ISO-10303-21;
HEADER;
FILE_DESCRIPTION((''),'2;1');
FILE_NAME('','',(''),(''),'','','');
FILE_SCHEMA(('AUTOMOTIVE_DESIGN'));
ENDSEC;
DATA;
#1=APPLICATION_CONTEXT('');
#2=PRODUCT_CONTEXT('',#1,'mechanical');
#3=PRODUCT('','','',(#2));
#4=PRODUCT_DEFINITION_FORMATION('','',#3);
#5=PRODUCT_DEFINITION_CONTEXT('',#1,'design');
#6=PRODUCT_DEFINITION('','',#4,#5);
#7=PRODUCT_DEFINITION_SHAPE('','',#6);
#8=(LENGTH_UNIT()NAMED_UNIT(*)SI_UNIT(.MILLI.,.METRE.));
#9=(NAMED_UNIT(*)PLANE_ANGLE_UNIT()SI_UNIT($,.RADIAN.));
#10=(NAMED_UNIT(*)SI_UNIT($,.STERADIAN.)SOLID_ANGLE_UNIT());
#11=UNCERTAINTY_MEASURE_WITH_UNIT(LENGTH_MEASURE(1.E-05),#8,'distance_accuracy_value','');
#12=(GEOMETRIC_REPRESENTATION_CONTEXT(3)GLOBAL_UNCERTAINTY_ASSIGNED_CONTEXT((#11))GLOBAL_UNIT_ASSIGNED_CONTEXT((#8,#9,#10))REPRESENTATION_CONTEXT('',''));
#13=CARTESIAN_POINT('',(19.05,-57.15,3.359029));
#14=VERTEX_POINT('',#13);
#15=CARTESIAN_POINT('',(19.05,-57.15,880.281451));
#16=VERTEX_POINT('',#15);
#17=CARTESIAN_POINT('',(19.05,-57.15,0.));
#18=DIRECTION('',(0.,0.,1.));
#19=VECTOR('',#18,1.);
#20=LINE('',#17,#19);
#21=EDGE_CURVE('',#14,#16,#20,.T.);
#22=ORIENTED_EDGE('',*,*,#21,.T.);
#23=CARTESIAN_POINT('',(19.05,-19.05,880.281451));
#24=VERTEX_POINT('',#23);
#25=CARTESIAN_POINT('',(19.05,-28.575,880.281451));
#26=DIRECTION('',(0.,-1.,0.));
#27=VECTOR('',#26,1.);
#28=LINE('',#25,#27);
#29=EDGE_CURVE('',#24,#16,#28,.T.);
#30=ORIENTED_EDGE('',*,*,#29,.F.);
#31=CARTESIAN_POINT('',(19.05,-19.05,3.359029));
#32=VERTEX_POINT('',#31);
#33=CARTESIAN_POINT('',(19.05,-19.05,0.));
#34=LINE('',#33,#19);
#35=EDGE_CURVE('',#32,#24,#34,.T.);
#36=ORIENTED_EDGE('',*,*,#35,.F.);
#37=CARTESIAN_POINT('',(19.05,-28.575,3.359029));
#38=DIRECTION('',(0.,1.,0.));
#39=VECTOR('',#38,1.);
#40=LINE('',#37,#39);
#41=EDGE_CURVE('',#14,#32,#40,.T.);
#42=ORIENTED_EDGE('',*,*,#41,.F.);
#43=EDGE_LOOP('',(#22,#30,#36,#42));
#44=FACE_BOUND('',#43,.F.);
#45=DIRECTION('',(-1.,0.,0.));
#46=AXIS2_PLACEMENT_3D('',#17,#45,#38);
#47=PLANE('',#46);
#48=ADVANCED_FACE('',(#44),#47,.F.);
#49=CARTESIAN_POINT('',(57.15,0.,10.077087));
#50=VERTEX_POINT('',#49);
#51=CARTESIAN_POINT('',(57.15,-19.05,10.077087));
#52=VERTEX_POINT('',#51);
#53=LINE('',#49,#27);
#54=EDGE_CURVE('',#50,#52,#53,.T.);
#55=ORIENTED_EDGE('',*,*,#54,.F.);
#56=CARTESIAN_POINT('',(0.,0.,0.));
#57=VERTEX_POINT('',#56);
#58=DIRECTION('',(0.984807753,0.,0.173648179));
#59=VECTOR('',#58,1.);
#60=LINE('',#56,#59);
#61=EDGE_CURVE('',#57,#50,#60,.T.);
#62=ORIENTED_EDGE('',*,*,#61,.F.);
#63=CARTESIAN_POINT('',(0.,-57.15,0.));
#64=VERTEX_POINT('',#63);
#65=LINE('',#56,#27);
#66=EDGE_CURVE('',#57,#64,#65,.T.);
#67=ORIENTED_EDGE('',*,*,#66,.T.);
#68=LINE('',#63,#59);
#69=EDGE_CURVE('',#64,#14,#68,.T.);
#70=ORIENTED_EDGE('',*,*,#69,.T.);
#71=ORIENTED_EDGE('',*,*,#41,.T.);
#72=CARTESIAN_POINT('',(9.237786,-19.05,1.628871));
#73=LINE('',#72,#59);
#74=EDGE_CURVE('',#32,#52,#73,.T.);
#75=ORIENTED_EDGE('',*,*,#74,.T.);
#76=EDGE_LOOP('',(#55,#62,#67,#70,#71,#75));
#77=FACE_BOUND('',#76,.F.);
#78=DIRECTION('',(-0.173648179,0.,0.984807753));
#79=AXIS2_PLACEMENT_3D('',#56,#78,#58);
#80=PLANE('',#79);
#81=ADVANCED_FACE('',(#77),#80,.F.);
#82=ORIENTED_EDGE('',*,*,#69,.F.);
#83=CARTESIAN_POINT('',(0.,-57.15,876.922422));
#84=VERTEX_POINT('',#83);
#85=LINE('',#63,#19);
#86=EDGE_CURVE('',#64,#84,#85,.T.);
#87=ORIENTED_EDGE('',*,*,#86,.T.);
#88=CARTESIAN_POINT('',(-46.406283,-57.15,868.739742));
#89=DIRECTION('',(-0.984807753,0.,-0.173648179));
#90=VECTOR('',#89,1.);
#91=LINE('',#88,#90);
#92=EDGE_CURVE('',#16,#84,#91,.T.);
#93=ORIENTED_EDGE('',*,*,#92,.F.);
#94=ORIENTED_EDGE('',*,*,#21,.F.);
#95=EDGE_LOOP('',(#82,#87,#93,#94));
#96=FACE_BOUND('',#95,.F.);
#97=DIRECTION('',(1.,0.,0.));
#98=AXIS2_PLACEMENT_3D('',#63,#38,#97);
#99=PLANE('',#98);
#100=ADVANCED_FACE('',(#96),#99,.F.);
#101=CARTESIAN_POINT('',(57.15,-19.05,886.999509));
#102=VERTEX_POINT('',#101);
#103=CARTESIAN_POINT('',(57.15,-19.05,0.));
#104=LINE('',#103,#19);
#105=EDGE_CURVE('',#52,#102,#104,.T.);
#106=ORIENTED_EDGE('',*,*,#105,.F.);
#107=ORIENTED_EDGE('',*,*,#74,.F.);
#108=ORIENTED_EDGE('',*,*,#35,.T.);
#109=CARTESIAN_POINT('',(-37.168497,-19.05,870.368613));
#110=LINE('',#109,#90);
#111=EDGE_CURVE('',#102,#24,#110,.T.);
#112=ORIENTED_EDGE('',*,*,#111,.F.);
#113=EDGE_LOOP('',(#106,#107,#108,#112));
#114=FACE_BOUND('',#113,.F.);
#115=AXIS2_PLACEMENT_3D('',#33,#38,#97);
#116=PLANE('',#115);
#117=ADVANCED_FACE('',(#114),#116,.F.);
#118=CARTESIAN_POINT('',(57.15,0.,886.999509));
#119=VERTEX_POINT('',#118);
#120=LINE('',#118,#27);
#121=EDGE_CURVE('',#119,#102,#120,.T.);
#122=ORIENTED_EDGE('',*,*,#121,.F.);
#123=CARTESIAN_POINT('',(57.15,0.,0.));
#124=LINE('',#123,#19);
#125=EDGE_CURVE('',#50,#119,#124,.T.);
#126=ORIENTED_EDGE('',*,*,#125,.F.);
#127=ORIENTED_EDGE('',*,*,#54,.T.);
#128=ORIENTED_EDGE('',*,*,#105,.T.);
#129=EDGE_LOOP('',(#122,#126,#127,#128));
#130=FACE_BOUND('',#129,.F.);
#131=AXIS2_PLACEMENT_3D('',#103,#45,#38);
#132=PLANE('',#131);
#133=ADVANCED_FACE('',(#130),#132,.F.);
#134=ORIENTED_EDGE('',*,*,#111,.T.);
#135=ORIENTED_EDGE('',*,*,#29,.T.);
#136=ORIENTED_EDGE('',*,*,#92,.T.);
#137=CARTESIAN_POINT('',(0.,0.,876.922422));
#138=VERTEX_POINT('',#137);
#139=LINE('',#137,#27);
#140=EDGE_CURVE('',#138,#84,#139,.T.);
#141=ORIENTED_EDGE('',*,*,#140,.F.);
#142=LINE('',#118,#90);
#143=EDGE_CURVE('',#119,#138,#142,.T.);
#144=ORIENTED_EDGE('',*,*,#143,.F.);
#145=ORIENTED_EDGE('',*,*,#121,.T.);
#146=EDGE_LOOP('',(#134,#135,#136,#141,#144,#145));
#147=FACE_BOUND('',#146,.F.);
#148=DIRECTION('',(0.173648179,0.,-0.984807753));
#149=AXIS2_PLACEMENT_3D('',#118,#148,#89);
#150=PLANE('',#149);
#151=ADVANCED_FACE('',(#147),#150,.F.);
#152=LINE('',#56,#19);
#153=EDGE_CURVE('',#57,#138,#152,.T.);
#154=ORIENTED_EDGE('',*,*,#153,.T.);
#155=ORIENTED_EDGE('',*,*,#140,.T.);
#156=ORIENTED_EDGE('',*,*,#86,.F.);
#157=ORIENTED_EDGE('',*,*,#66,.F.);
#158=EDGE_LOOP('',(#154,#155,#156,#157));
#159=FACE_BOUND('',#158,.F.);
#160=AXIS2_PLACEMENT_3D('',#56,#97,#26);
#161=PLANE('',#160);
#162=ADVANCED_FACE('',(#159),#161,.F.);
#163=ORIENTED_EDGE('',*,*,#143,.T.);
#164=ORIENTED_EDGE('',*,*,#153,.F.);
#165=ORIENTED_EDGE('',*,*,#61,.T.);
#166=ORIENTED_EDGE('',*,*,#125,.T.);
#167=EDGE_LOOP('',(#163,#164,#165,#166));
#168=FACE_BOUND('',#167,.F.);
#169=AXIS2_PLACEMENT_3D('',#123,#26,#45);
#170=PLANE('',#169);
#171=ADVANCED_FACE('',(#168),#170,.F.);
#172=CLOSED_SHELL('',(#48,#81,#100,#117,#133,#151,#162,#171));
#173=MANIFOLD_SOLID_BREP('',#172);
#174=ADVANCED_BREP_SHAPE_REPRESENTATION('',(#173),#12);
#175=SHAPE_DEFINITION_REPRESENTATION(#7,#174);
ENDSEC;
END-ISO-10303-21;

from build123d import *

# Parameters (mm, degrees)
F1_DEPTH = 1016
F3_DEPTH = 57.151


with BuildPart() as f1:
    # F0 (on Top) → F1 (new body)
    with BuildSketch(Plane.XY):
        Polygon((57.15, 0), (0, 0), (0, -57.15), (19.05, -57.15), (19.05, -19.05), (57.15, -19.05), align=None)
    extrude(amount=F1_DEPTH)

    # F2 (on face) → F3 (cut, through all)
    with BuildSketch(Plane(origin=(0, 0, 0), x_dir=(-1, 0, 0), z_dir=(0, 1, 0))):
        Polygon((-57.15, 0), (0, 0), (-57.15, 10.077087), align=None)
        Polygon((0, 876.922422), (0, 1016), (-57.15, 1016), (-57.15, 886.999509), align=None)
    extrude(amount=-F3_DEPTH, mode=Mode.SUBTRACT)


solid = f1.part
